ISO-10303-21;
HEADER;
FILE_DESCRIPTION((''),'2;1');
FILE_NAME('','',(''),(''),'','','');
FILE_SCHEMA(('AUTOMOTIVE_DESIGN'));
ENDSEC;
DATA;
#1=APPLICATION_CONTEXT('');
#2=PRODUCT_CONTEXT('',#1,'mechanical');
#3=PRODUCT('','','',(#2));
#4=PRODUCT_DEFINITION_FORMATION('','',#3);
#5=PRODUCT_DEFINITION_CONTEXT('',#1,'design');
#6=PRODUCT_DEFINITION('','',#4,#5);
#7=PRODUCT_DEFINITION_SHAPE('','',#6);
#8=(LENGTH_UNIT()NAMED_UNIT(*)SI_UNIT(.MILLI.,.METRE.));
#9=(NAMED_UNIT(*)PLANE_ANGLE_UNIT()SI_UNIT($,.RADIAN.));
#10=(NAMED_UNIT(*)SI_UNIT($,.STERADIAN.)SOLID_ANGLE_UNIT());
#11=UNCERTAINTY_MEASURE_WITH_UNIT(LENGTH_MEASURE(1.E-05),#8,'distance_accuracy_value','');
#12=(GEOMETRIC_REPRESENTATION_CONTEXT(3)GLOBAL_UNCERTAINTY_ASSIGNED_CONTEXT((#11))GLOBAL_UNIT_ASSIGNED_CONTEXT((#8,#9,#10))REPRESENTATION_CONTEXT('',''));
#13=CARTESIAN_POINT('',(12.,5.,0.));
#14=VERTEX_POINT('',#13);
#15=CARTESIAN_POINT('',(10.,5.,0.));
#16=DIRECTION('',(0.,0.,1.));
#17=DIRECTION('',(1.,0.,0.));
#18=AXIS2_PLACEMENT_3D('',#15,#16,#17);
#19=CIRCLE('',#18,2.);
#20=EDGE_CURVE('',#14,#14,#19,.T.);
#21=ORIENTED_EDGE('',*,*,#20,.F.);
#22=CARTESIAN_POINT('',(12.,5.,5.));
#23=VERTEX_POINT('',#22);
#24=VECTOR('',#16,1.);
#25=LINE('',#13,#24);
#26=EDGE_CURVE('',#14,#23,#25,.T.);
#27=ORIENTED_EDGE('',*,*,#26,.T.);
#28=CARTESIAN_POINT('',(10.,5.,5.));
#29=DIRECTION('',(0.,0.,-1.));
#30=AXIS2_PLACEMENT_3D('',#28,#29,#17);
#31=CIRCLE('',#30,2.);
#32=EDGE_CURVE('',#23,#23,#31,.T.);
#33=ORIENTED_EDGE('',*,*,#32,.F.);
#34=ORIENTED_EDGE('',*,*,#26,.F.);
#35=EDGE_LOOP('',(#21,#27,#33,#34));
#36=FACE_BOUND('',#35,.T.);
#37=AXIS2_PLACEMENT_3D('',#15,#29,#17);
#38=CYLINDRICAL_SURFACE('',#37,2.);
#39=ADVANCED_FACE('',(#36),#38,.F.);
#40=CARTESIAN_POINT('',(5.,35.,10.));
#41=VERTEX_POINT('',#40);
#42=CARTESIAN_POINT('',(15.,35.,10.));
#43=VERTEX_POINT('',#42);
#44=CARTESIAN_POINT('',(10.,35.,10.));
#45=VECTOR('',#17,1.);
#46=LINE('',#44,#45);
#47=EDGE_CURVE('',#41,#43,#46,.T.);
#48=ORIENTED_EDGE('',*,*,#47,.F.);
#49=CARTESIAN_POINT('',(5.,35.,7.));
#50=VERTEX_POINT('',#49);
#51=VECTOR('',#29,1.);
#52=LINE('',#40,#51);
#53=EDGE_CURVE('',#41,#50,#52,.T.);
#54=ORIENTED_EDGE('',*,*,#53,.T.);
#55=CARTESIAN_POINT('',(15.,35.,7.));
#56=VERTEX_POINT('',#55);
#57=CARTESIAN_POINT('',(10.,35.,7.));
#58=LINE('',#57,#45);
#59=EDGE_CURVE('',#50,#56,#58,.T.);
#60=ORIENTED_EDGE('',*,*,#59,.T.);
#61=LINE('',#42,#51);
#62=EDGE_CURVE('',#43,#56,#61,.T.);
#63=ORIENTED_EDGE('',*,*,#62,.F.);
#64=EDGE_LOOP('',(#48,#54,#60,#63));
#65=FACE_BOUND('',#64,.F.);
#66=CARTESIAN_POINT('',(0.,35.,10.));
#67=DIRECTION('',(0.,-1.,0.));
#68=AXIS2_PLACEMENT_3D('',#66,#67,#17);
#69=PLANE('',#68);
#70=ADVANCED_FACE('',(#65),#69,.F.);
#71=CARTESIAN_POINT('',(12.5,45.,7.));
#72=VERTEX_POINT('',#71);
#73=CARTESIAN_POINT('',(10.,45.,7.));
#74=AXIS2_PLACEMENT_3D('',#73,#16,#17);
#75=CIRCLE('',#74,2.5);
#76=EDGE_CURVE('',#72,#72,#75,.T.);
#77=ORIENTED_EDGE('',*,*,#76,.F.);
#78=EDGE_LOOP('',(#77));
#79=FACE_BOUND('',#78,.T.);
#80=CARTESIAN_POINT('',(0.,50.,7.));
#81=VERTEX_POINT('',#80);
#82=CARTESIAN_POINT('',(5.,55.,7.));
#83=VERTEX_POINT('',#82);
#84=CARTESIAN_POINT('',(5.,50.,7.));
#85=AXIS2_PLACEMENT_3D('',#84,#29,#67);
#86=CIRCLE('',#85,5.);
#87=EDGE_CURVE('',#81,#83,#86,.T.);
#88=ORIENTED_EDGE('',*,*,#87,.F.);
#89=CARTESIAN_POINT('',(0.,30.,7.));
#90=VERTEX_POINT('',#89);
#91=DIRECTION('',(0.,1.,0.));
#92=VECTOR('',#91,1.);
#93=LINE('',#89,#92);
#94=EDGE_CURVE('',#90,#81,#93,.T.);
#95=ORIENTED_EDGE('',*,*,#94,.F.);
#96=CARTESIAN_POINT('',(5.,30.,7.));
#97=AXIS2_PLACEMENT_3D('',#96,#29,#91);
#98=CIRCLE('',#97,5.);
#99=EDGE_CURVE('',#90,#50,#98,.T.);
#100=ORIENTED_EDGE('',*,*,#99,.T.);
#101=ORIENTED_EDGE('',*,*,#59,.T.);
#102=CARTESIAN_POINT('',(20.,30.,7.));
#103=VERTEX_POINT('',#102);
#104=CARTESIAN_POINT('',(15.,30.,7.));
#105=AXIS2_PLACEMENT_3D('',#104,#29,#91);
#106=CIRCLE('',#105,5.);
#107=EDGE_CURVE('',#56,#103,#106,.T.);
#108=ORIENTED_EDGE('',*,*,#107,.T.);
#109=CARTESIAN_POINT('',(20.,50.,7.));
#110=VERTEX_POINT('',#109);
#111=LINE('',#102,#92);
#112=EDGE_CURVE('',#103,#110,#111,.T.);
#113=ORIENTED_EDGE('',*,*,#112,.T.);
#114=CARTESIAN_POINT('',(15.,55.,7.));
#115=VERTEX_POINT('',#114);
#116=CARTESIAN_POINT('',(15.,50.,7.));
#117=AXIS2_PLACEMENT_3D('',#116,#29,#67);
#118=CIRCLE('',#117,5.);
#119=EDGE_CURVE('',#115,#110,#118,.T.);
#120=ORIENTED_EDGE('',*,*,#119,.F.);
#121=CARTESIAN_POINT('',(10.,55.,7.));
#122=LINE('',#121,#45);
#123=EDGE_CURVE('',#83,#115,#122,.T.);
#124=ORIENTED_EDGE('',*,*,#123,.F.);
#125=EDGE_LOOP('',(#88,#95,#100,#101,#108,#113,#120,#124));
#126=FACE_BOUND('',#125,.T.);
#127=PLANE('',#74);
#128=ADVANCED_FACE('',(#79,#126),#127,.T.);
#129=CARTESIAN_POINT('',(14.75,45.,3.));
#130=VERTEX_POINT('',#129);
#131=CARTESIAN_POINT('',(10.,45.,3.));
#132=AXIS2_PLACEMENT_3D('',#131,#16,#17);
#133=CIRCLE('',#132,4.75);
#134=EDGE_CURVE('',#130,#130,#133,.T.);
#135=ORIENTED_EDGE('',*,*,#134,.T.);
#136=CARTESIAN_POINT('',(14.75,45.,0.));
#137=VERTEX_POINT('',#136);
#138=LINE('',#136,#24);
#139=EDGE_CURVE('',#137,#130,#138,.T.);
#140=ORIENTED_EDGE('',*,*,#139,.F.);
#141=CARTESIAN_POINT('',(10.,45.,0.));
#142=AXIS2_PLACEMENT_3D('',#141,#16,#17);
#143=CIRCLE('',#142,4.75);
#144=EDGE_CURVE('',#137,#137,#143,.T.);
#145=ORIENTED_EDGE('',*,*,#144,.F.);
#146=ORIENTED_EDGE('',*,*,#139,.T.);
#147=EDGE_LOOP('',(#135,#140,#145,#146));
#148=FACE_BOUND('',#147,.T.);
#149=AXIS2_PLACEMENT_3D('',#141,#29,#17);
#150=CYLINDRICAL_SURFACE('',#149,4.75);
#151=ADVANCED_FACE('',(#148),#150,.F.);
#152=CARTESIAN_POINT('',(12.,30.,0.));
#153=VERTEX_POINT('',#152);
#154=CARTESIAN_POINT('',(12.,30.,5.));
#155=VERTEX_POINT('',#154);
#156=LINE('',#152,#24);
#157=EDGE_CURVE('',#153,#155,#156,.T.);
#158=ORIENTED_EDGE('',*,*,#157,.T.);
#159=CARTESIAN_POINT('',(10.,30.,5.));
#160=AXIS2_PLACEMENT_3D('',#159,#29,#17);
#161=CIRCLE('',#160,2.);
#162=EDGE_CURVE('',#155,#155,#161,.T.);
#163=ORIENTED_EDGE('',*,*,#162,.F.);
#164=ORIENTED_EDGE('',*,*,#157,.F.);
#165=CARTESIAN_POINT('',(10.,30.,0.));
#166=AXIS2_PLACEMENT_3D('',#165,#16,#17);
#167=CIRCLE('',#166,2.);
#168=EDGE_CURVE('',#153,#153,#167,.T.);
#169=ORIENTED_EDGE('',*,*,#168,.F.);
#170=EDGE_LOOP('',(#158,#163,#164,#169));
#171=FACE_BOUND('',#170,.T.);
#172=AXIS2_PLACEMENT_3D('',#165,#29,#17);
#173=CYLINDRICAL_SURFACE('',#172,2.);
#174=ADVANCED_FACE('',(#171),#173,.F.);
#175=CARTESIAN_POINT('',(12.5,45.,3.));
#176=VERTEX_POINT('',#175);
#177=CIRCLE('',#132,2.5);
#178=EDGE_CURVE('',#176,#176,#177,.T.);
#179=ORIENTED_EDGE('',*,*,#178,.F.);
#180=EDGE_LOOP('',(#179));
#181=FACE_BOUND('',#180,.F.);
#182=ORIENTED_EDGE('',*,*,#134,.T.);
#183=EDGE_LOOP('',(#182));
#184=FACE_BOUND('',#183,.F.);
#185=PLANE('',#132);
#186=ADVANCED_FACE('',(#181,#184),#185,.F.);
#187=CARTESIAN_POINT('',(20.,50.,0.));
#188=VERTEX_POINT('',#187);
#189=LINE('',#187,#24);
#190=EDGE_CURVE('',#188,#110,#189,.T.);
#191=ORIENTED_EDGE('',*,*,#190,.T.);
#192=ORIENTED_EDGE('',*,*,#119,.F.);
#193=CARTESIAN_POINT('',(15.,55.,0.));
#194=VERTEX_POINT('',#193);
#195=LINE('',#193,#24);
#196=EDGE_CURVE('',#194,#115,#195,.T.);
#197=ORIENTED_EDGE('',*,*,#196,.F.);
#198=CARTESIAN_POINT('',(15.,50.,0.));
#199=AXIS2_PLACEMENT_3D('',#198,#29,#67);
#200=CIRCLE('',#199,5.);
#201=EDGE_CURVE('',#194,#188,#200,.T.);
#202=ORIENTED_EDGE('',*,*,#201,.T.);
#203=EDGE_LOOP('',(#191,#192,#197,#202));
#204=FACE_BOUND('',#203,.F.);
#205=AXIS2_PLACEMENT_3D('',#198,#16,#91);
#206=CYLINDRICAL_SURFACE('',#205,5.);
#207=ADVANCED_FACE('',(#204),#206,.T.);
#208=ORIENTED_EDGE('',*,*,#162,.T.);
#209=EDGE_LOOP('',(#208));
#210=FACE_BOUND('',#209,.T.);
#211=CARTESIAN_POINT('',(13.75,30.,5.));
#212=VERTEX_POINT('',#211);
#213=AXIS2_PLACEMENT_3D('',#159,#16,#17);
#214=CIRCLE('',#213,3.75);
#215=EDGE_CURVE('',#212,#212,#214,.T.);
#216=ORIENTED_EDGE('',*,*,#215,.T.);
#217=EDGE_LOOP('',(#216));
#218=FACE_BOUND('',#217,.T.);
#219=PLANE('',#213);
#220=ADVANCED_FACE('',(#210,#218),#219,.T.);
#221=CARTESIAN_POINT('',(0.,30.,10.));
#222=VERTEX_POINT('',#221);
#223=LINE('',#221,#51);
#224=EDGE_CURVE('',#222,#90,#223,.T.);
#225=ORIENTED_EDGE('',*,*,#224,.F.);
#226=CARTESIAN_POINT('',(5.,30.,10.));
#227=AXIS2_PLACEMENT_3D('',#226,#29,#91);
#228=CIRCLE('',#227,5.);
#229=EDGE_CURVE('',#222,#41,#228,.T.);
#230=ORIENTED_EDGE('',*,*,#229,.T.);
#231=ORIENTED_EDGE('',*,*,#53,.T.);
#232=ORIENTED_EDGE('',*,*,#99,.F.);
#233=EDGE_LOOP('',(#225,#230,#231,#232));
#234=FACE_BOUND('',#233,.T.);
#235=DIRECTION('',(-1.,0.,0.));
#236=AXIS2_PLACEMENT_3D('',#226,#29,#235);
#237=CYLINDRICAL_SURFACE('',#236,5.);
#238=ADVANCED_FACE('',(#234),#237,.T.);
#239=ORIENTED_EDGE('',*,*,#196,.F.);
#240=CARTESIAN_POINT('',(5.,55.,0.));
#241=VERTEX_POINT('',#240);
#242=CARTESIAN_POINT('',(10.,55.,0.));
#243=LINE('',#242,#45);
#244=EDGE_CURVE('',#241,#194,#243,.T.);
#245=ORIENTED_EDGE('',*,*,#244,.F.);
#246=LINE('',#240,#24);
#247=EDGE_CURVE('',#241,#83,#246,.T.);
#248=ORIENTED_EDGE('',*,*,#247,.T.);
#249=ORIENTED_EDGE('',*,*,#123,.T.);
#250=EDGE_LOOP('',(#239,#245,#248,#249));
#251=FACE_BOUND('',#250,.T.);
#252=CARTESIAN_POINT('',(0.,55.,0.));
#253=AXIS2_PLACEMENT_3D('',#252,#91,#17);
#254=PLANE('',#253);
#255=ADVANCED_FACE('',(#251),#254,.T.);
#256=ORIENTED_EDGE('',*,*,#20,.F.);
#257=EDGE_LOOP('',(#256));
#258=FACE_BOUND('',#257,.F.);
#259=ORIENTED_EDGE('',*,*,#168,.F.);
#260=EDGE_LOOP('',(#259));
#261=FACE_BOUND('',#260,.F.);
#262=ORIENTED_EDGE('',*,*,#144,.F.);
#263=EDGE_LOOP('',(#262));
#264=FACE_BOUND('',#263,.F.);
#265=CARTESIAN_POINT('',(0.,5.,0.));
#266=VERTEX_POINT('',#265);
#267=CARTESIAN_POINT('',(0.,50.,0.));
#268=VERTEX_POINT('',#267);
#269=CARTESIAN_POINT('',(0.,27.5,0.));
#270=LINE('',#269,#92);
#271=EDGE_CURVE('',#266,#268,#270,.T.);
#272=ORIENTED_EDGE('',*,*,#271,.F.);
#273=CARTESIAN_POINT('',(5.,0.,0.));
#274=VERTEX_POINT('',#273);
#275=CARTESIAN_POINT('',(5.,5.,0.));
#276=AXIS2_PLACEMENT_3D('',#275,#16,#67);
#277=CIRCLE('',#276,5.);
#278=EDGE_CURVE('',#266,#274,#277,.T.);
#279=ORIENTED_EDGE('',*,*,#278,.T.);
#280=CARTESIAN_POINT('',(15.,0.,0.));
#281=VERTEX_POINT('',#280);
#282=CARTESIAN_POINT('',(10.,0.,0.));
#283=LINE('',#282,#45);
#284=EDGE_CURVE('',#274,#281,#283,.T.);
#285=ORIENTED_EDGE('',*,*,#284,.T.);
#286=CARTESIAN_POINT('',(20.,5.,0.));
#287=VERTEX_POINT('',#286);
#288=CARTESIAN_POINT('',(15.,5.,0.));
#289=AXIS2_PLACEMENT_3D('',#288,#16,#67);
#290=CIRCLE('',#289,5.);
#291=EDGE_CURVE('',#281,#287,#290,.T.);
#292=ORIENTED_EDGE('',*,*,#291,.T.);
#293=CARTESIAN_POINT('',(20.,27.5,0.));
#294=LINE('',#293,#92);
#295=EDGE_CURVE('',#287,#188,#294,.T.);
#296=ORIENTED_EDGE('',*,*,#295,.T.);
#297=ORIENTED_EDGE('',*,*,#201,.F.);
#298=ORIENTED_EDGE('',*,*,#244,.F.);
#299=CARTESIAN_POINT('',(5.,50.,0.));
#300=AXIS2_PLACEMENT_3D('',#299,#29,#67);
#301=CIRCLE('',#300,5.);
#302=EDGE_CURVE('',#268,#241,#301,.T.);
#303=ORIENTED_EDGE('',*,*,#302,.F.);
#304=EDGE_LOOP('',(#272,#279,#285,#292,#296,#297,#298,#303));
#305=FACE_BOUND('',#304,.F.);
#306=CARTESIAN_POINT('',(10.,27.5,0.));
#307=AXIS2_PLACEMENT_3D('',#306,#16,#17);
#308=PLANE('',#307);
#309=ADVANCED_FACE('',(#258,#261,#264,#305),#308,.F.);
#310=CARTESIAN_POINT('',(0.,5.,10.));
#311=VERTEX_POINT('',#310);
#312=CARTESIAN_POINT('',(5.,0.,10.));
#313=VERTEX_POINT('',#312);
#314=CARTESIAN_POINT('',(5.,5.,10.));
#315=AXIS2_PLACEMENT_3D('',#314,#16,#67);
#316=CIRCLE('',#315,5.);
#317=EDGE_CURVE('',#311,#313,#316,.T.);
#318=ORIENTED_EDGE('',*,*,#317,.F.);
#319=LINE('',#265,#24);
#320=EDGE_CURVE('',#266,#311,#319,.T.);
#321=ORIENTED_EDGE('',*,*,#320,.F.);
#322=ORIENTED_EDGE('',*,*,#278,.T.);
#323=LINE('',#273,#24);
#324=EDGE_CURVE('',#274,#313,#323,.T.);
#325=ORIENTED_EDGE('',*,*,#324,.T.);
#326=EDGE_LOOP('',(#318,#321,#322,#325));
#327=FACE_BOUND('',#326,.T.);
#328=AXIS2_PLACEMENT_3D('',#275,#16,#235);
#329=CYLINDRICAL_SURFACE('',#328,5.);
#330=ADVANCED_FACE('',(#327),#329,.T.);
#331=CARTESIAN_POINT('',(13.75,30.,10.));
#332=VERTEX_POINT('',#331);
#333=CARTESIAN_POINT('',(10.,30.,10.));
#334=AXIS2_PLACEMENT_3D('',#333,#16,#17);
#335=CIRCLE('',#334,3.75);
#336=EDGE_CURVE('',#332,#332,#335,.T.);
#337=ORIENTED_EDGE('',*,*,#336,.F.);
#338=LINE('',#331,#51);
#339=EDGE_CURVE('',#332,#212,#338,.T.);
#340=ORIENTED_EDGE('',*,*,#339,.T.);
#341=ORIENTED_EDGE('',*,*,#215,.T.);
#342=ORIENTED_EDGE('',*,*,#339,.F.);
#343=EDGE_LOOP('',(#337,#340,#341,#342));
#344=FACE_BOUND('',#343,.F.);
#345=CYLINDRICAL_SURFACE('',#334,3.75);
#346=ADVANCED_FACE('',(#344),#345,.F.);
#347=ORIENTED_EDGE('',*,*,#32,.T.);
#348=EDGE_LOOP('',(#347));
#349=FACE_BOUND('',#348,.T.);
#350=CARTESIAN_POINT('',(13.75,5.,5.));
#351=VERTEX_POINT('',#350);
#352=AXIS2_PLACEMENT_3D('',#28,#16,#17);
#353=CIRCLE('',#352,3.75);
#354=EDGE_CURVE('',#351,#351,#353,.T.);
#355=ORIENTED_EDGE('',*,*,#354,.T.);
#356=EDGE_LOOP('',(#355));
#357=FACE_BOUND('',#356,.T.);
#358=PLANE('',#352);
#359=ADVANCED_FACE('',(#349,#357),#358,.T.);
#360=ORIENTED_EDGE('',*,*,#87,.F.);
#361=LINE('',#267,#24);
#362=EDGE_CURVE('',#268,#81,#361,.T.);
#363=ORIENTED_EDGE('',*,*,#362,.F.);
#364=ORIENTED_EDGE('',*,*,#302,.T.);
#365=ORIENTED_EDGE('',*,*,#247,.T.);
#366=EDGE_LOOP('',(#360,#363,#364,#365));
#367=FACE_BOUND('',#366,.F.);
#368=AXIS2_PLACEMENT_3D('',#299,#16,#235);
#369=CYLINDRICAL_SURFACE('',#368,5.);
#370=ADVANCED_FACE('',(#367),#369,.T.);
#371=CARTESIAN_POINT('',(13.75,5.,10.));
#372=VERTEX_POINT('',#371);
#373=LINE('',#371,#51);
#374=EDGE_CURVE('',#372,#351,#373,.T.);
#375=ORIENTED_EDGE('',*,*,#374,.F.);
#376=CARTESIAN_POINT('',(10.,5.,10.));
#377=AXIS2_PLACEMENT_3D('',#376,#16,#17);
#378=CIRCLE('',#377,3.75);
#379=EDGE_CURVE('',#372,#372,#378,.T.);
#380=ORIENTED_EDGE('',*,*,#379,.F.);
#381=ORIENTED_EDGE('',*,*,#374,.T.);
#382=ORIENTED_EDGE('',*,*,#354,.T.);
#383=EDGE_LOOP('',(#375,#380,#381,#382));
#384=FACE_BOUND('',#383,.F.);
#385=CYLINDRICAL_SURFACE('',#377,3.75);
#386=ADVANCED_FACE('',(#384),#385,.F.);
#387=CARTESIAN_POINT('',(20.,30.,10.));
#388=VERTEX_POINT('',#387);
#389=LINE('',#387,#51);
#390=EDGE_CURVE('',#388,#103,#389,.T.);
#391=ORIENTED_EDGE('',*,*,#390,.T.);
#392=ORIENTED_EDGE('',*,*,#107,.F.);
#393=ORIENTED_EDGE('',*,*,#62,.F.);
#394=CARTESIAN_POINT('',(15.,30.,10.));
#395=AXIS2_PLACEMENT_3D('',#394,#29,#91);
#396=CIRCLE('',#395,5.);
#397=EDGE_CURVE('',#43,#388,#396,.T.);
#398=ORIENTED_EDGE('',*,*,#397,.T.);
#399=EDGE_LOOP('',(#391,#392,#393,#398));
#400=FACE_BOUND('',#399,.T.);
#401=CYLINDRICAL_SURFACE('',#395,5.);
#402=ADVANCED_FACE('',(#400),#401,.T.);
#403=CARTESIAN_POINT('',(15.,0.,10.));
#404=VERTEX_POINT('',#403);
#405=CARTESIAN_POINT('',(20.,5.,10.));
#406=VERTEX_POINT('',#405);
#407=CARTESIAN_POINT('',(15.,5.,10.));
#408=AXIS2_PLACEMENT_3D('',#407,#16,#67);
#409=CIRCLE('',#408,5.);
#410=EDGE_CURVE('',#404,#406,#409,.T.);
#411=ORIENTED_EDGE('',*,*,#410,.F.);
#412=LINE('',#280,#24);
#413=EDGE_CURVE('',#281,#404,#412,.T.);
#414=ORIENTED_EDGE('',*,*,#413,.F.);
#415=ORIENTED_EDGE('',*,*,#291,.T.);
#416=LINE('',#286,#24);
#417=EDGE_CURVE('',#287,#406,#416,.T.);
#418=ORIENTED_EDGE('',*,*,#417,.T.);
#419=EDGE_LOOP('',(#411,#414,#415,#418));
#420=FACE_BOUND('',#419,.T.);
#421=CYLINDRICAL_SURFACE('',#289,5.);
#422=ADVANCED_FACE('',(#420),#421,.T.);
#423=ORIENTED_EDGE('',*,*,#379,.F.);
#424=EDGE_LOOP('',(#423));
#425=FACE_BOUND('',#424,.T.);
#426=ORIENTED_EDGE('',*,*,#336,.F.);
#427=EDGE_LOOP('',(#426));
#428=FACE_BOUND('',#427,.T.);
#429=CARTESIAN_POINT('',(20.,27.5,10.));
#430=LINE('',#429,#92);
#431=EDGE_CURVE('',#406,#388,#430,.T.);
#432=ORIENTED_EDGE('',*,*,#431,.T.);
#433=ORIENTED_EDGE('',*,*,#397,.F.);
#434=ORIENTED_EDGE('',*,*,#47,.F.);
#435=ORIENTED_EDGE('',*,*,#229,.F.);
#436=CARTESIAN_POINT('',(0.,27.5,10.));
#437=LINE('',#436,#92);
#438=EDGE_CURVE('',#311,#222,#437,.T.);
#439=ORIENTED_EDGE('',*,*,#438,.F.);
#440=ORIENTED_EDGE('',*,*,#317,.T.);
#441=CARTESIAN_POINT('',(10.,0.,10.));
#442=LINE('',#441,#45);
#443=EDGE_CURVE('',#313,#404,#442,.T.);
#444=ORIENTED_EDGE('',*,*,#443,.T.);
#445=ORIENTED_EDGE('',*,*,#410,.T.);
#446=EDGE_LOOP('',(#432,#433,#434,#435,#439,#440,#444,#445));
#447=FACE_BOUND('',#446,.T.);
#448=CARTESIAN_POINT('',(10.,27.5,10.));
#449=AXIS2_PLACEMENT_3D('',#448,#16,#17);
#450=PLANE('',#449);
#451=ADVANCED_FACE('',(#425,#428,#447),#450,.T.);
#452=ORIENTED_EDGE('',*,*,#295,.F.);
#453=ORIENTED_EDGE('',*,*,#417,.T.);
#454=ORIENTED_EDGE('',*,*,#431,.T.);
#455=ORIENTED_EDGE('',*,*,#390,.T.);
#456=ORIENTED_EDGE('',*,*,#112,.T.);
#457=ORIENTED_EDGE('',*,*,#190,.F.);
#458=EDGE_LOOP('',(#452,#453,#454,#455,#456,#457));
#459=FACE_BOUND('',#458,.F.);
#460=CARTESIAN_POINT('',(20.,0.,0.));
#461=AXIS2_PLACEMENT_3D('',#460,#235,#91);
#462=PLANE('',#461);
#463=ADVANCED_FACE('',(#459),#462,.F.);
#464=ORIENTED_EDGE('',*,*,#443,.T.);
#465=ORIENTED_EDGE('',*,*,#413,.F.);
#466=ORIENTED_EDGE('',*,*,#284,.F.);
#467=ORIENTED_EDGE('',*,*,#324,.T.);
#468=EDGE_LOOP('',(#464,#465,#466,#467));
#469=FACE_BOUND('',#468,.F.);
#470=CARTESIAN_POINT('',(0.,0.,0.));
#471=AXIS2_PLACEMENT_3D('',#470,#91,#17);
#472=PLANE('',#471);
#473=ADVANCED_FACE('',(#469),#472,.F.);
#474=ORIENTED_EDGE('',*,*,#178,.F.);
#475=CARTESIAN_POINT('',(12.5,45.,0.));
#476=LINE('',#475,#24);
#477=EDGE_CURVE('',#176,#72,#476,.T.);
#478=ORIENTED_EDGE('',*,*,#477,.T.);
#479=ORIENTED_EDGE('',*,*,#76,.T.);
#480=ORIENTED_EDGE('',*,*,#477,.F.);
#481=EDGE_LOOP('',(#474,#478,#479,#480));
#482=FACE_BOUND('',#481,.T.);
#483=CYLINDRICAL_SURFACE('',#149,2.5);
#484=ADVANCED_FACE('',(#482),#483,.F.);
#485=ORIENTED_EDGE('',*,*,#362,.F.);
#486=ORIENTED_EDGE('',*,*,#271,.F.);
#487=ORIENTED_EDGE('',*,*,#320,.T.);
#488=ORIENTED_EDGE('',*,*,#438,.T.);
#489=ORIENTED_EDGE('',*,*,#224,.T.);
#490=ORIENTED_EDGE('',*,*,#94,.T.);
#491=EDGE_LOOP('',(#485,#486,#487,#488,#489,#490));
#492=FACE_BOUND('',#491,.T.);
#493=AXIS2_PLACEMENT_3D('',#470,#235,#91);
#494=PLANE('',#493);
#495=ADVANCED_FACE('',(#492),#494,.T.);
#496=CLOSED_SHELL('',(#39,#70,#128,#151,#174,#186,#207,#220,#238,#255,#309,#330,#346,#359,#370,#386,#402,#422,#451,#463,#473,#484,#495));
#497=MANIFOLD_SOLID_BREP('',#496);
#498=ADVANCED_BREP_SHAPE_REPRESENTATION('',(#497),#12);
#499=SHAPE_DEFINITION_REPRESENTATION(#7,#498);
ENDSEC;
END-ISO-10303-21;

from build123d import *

# Parameters (mm, degrees)
F0_W     = 20
F0_H     = 55
F0_R     = 2
F0_R_2   = 2.5
F1_DEPTH = 10
F2_R     = 3.75
F3_DEPTH = 5
F4_W     = 20
F4_H     = 20
F4_R     = 2.5
F5_DEPTH = 3
F6_R     = 5
F7_R     = 4.75
F7_R_2   = 2.5
F8_DEPTH = 3


with BuildPart() as f1:
    # F0 (on Top) → F1 (new body)
    with BuildSketch(Plane.XY):
        with Locations((10, 27.5)):
            Rectangle(F0_W, F0_H)
        with Locations((10, 5)):
            Circle(F0_R, mode=Mode.SUBTRACT)
        with Locations((10, 30)):
            Circle(F0_R, mode=Mode.SUBTRACT)
        with Locations((10, 45)):
            Circle(F0_R_2, mode=Mode.SUBTRACT)
    extrude(amount=F1_DEPTH)

    # F2 (on face) → F3 (cut)
    with BuildSketch(Plane.XY.offset(10)):
        with Locations((10, 5)):
            Circle(F2_R)
        with Locations((10, 30)):
            Circle(F2_R)
    extrude(amount=-F3_DEPTH, mode=Mode.SUBTRACT)

    # F4 (on face) → F5 (cut)
    with BuildSketch(Plane.XY.offset(10)):
        with Locations((10, 45)):
            Rectangle(F4_W, F4_H)
        with Locations((10, 45)):
            Circle(F4_R, mode=Mode.SUBTRACT)
    extrude(amount=-F5_DEPTH, mode=Mode.SUBTRACT)

    # F6
    f6_edges = [f1.edges().sort_by_distance(p)[0] for p in [
        (20, 0, 5),
        (20, 55, 3.5),
        (0, 55, 3.5),
        (0, 0, 5),
        (20, 35, 8.5),
        (0, 35, 8.5),
    ]]
    fillet(f6_edges, radius=F6_R)

    # F7 (on face) → F8 (cut)
    with BuildSketch(Plane.XY):
        with Locations((10, 45)):
            Circle(F7_R)
        with Locations((10, 45)):
            Circle(F7_R_2, mode=Mode.SUBTRACT)
    extrude(amount=F8_DEPTH, mode=Mode.SUBTRACT)


solid = f1.part
